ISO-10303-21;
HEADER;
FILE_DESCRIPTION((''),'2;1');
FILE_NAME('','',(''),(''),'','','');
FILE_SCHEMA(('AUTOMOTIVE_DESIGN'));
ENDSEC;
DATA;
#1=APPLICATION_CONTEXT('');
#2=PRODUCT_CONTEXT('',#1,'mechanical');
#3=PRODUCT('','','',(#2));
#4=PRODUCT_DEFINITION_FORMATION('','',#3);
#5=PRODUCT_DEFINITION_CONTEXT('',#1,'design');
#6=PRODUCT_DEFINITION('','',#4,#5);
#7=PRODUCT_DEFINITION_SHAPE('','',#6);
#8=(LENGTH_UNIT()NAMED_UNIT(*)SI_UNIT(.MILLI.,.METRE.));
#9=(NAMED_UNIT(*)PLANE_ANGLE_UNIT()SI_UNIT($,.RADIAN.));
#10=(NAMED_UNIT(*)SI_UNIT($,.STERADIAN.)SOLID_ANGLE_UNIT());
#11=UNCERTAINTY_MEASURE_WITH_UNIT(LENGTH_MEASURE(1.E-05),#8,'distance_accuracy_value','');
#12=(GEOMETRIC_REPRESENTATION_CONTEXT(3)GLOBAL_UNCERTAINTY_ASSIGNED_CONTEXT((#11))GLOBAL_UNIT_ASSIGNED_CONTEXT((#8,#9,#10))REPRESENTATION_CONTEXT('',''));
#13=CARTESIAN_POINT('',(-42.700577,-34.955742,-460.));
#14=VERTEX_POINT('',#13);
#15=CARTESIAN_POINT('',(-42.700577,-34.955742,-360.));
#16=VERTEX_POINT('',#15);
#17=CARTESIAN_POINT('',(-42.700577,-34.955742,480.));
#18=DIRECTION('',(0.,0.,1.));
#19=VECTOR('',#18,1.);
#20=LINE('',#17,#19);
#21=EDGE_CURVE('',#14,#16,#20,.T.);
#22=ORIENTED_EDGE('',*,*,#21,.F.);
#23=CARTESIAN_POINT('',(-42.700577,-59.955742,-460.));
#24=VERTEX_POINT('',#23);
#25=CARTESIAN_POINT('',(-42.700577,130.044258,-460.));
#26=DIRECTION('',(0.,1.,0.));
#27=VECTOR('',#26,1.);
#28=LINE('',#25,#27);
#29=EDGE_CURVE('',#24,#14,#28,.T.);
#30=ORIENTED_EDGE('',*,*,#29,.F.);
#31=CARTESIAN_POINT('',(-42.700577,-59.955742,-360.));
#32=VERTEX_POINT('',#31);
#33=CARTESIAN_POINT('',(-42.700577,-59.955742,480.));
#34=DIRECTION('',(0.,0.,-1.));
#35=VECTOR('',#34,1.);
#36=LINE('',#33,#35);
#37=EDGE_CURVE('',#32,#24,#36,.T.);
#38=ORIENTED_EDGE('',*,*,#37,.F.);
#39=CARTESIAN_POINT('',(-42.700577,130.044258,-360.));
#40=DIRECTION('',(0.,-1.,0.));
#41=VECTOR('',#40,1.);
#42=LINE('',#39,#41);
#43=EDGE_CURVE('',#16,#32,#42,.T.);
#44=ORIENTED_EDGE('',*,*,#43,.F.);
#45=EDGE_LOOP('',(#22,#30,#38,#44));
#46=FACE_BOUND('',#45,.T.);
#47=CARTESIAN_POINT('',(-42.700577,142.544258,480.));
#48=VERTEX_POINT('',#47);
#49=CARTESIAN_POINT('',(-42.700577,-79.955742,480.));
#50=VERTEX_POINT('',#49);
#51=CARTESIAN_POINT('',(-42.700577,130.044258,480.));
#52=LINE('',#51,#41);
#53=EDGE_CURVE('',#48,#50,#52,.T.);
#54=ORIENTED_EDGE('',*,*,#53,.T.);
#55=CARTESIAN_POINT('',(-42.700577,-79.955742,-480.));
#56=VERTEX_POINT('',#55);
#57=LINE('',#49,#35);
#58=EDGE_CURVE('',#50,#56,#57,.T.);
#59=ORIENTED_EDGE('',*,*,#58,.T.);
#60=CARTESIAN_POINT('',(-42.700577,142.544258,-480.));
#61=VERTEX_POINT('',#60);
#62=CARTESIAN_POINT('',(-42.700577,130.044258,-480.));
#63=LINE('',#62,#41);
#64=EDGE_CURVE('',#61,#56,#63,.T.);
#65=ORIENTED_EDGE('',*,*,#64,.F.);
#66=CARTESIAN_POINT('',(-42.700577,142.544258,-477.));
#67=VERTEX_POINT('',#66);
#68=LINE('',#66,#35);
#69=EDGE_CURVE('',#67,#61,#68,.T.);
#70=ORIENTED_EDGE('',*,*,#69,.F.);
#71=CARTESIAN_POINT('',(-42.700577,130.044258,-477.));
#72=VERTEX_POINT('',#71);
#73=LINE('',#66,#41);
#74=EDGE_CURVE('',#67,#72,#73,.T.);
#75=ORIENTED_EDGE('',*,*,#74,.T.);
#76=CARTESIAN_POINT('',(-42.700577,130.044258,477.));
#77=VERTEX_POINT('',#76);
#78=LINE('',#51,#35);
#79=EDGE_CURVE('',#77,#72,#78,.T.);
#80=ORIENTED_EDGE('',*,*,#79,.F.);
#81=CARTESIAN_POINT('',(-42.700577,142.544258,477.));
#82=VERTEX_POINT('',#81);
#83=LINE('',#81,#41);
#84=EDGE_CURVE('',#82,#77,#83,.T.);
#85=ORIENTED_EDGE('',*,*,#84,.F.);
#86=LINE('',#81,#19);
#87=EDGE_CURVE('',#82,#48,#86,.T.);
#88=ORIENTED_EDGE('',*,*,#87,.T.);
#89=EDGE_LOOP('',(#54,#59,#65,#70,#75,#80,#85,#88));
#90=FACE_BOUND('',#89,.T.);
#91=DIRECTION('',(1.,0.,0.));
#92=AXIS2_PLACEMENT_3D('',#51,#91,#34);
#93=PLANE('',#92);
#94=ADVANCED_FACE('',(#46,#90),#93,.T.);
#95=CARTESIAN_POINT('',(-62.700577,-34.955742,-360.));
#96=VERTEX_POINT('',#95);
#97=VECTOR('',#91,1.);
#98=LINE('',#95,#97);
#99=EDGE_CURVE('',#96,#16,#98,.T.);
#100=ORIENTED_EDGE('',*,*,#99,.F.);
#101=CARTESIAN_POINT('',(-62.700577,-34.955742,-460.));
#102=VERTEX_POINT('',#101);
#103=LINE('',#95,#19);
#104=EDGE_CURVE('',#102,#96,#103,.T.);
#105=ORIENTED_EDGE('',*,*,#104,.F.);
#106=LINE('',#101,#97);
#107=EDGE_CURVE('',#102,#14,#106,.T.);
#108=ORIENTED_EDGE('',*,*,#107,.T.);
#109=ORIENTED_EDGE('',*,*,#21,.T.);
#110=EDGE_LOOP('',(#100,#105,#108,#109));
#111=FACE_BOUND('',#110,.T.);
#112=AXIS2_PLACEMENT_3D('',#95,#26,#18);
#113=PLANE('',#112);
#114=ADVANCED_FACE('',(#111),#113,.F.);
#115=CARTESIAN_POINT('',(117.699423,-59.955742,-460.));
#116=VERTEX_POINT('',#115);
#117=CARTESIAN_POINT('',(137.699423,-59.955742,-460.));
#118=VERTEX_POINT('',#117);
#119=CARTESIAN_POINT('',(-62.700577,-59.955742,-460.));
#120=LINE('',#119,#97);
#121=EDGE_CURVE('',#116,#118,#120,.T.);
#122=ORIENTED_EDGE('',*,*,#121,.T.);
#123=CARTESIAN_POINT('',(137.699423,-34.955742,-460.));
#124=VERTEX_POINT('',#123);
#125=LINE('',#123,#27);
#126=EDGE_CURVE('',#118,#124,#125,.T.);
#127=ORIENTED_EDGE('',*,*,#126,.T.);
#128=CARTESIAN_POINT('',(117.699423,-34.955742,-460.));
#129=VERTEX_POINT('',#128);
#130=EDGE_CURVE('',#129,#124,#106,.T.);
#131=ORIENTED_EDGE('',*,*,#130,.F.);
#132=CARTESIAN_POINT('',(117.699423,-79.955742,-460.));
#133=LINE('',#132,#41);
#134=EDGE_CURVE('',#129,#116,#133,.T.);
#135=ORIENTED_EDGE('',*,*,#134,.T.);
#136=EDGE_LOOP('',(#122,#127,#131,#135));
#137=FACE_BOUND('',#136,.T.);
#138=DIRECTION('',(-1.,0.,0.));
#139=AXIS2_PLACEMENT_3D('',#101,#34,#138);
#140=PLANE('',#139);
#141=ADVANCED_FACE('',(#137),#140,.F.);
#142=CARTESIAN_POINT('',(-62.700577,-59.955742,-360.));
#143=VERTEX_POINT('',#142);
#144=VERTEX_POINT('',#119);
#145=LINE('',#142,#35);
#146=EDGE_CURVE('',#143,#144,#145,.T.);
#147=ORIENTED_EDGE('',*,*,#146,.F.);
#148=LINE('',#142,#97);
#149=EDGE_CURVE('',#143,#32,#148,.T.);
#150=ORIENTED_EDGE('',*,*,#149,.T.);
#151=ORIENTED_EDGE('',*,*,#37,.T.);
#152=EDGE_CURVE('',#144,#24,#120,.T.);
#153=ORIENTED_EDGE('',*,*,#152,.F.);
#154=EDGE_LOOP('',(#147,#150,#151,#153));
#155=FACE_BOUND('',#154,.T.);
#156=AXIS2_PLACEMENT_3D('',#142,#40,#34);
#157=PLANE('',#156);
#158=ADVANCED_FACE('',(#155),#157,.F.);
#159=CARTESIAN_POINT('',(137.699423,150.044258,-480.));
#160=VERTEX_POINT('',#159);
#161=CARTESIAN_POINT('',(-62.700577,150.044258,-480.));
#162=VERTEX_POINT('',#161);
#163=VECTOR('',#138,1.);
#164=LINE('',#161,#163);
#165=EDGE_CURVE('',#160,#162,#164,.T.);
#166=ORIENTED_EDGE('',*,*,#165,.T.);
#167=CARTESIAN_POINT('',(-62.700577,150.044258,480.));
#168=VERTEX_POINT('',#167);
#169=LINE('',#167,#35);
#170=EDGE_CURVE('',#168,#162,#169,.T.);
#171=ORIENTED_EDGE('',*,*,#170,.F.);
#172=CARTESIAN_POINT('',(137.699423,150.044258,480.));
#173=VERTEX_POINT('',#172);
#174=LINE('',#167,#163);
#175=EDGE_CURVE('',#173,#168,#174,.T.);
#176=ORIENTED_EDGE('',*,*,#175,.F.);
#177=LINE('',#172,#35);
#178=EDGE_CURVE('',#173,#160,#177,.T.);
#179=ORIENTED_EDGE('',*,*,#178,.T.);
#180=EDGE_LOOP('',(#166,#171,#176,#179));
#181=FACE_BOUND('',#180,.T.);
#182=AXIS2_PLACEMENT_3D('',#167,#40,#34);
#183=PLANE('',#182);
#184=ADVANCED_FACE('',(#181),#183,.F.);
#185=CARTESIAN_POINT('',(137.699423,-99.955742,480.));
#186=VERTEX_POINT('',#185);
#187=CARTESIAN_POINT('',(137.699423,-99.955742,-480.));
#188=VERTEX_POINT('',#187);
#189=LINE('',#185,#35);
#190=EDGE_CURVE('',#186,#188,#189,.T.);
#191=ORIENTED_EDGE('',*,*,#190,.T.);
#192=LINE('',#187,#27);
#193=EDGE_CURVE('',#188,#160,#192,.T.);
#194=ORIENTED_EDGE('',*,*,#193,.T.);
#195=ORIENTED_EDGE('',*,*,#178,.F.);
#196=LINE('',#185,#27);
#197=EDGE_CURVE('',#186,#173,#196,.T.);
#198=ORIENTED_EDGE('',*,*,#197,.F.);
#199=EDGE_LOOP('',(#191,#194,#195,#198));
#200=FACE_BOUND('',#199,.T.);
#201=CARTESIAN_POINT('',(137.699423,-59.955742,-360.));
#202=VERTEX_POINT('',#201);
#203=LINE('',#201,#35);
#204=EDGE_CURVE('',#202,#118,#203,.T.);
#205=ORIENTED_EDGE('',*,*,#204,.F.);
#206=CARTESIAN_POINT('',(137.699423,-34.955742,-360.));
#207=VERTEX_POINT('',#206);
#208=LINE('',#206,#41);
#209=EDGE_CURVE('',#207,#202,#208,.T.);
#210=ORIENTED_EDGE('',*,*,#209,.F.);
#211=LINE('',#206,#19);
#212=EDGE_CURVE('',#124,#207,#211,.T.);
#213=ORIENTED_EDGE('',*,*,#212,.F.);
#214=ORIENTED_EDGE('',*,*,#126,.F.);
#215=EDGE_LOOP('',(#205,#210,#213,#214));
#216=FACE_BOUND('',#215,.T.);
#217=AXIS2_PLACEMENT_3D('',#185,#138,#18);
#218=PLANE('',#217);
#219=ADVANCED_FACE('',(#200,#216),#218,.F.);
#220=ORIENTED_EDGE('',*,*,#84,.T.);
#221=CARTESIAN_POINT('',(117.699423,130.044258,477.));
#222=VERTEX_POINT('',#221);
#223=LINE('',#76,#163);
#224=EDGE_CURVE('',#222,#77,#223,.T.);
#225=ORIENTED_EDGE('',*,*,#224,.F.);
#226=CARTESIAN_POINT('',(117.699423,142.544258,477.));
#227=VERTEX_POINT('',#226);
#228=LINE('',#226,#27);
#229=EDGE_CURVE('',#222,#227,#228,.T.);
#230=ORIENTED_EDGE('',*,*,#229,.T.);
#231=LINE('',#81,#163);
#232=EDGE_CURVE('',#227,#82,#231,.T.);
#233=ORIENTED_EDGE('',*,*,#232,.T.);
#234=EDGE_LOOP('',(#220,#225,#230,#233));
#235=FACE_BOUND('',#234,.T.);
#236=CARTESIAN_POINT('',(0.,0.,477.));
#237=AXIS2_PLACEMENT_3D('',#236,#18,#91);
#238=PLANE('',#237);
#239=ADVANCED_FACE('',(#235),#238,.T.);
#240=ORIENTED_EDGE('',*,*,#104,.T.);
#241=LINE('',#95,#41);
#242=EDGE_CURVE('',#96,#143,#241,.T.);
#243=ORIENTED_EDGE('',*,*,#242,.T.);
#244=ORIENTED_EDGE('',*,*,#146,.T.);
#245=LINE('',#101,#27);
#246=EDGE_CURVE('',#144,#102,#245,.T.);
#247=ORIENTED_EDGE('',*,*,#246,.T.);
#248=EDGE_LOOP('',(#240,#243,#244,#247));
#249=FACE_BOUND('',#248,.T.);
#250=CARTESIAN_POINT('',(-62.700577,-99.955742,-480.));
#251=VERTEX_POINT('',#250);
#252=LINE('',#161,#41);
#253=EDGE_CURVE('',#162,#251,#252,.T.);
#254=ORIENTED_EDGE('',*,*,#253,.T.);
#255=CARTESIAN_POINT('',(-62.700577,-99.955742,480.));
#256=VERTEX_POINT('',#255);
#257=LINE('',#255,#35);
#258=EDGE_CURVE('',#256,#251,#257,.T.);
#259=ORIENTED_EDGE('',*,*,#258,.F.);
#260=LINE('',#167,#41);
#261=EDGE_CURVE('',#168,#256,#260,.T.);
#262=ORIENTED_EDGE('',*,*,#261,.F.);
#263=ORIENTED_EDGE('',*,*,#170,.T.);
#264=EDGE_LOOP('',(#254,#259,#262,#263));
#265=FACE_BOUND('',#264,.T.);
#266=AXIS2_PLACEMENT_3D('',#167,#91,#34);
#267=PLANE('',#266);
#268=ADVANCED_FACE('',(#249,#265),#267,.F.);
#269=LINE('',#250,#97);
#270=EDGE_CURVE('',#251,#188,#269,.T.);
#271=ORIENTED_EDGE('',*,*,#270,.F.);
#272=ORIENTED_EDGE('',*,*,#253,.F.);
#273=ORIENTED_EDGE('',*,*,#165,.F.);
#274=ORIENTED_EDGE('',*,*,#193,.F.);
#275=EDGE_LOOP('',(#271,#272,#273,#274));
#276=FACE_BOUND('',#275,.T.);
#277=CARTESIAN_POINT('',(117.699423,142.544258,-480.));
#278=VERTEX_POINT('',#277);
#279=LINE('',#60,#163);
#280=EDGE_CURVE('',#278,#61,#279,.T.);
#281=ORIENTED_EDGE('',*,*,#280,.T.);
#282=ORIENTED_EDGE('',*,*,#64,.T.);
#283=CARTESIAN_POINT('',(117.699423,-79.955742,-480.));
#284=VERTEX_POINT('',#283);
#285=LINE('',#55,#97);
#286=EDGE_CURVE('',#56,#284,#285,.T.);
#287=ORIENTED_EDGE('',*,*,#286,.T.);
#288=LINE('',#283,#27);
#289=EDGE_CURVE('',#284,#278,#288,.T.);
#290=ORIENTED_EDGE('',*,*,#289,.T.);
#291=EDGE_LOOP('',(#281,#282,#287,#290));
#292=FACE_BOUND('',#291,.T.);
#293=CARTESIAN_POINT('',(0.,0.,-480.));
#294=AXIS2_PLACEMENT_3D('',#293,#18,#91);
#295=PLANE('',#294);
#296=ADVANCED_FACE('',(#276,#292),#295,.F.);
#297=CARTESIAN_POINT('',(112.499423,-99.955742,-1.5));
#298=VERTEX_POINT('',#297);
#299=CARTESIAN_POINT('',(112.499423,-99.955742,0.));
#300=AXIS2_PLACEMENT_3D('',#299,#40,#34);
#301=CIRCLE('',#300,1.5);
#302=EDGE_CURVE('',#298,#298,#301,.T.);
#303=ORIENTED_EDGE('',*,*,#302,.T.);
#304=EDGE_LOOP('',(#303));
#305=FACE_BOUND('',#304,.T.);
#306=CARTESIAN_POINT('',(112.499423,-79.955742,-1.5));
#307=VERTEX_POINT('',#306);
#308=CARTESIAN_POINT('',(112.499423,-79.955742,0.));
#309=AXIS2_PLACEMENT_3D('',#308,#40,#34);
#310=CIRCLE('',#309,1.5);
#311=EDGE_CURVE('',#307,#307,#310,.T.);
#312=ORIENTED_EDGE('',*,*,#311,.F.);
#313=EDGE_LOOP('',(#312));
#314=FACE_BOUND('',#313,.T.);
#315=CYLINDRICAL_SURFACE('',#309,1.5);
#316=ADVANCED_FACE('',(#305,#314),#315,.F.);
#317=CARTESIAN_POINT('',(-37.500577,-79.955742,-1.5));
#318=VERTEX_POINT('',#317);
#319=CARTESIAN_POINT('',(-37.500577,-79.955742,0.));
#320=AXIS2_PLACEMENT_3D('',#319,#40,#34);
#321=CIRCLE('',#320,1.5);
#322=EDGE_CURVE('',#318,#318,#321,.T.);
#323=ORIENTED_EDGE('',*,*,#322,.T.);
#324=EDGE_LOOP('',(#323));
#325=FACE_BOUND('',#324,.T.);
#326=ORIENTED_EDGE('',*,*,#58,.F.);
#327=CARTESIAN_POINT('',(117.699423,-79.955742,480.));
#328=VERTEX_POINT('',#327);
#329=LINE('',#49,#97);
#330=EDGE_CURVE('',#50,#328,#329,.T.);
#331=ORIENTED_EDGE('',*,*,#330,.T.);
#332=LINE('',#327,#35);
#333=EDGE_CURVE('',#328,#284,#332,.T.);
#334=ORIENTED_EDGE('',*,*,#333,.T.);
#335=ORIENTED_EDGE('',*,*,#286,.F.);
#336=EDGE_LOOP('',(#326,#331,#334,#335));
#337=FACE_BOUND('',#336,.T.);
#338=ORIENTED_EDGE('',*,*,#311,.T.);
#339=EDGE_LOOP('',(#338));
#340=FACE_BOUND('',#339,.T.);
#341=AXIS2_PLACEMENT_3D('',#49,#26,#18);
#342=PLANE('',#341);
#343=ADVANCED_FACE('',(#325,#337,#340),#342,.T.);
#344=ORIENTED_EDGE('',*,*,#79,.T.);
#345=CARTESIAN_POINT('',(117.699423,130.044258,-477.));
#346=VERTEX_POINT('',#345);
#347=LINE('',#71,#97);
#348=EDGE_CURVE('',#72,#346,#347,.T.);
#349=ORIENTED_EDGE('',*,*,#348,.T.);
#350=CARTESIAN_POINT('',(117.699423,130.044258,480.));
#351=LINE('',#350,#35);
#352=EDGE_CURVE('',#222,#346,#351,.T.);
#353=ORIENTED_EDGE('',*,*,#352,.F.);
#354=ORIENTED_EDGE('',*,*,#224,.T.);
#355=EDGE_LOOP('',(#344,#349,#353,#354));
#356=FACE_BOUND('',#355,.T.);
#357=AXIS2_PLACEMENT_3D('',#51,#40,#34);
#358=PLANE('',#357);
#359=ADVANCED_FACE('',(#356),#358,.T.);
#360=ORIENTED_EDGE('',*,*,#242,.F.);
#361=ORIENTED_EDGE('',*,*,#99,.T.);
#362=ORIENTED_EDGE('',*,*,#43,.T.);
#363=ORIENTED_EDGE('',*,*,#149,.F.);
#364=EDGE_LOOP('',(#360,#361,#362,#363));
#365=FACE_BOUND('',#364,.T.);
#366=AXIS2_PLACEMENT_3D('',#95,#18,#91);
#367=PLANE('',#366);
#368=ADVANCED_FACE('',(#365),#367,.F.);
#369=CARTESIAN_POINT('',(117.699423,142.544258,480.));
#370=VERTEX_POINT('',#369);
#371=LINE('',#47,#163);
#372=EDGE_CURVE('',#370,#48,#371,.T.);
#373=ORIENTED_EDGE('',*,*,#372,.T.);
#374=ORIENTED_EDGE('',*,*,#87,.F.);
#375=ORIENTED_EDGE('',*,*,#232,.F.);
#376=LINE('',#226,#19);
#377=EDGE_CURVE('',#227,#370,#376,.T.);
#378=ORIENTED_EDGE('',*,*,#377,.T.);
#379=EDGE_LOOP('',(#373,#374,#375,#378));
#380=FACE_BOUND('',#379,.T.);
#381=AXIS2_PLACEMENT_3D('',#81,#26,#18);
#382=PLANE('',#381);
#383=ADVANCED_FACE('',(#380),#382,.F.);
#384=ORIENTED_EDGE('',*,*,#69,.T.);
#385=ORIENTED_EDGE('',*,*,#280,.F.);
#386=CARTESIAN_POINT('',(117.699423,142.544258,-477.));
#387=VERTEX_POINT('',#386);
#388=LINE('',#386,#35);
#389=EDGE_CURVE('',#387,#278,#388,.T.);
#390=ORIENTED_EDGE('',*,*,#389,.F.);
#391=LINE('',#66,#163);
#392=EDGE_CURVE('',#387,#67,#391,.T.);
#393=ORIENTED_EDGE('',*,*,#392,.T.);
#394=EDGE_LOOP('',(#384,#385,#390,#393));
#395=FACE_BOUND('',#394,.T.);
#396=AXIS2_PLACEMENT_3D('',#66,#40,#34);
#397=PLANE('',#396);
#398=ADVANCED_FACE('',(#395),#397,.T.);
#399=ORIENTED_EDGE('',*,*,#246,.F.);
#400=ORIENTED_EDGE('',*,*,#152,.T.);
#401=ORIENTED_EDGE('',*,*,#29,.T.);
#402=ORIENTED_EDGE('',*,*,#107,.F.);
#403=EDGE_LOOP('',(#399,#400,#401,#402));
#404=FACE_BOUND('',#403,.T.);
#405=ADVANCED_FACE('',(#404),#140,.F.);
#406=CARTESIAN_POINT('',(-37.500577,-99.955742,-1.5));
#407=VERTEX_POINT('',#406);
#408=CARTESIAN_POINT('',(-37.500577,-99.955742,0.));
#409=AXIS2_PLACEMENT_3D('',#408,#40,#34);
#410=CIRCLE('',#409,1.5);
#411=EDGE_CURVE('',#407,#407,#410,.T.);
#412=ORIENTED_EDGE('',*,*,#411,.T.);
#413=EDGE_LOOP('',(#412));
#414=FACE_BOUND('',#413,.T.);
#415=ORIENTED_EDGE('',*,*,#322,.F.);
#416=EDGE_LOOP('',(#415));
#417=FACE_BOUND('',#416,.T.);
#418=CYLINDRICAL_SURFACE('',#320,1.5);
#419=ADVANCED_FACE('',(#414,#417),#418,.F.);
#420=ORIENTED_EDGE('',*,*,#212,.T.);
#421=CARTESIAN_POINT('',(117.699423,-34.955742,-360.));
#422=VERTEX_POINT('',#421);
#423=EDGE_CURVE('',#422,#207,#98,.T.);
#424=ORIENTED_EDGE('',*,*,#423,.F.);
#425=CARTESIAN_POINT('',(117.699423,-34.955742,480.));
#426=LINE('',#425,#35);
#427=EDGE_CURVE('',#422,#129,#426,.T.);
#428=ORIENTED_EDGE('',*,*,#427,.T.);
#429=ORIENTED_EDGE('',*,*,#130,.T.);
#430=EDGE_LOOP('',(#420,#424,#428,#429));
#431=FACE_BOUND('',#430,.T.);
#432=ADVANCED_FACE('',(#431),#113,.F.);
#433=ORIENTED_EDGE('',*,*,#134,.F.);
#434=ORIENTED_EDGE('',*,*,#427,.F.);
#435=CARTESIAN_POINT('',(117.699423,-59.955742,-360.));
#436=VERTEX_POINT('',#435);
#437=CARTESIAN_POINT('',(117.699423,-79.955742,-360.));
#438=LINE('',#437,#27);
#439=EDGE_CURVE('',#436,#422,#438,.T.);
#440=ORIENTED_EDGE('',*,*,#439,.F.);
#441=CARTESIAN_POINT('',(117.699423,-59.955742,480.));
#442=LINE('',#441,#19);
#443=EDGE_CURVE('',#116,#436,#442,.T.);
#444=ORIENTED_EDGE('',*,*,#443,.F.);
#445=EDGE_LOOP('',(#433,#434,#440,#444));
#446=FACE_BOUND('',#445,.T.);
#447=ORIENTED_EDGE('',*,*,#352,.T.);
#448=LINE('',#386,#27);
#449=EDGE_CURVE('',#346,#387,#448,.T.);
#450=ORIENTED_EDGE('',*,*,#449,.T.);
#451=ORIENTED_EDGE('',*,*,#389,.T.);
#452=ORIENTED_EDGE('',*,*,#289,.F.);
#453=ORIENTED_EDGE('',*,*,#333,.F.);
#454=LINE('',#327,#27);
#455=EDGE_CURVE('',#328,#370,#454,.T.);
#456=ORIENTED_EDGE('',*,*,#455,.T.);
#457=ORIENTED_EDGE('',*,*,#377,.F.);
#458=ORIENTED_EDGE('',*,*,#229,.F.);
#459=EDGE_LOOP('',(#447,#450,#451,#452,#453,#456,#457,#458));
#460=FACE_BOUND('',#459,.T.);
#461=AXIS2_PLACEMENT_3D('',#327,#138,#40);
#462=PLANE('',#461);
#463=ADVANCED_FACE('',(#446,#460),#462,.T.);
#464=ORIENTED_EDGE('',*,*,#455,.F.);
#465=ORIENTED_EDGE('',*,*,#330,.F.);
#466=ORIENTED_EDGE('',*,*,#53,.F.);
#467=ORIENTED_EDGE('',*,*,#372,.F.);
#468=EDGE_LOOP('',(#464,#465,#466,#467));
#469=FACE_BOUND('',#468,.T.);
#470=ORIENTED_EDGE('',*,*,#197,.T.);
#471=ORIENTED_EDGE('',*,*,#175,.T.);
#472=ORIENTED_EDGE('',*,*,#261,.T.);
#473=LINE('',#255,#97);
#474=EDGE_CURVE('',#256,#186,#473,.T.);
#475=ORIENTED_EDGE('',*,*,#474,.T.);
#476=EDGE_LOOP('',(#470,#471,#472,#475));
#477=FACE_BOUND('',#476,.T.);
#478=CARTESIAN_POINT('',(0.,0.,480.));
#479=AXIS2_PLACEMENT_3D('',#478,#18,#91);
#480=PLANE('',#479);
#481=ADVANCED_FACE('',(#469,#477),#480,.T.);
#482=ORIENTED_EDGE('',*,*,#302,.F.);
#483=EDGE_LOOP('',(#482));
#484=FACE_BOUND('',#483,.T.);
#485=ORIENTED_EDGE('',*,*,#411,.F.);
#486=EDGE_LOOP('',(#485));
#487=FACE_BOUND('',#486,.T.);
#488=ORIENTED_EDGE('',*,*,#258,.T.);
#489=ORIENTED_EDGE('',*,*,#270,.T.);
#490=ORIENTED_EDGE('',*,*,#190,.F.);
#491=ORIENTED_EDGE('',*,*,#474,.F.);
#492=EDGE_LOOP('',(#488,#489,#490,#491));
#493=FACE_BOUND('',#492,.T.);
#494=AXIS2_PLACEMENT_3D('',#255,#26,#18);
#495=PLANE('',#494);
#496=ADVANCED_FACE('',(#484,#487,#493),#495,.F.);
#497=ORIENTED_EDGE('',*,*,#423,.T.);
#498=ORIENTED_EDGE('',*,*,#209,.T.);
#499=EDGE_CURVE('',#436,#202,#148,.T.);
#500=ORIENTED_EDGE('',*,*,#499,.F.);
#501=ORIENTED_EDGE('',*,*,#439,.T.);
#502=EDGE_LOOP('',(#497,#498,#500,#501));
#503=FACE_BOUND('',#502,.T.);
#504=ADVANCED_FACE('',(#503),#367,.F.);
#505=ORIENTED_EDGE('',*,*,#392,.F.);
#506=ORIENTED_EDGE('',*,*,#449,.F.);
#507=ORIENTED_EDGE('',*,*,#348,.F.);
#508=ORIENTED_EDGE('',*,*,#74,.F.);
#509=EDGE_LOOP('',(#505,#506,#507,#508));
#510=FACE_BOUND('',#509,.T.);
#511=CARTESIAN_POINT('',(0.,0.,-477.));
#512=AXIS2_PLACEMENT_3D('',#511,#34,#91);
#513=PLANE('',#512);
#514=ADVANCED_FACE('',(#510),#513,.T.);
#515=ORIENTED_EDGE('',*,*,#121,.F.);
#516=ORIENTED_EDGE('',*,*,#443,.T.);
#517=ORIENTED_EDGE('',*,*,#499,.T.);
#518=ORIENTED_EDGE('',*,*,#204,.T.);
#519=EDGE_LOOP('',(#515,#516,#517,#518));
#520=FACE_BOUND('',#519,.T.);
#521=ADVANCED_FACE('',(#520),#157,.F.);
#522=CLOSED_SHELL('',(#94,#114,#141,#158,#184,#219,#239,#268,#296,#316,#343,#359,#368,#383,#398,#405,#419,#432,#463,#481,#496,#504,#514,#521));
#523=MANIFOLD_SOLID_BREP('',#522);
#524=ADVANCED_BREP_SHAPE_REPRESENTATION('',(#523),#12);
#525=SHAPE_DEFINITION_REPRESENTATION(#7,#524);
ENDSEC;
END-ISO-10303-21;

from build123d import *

# Parameters (mm, degrees)
SKETCH2_W               = 200.4
SKETCH2_H               = 250
SKETCH2_W_2             = 160.4
SKETCH2_H_2             = 210
BOSS_EXTRUDE1_DEPTH     = 480
SKETCH3_W               = 160.4
SKETCH3_H               = 25
CUT_EXTRUDE1_DEPTH      = 3
CUT_EXTRUDE2_DEPTH      = 535.282171956
CUT_EXTRUDE2_DEPTH_BACK = 535.282171956
SKETCH4_W               = 100
SKETCH4_H               = 25
SKETCH7_R               = 1.5
CUT_EXTRUDE4_DEPTH      = 20


with BuildPart() as part:
    # Sketch2 → Boss-Extrude1 (new, symmetric)
    with BuildSketch(Plane.XY):
        with Locations((37.499423299, 25.044257703)):
            Rectangle(SKETCH2_W, SKETCH2_H)
        with Locations((37.499423299, 25.044257703)):
            Rectangle(SKETCH2_W_2, SKETCH2_H_2, mode=Mode.SUBTRACT)
    extrude(amount=BOSS_EXTRUDE1_DEPTH, both=True)

    # Sketch3 → Cut-Extrude1 (cut)
    with BuildSketch(Plane.XY.offset(480)):
        with Locations((37.499423299, 130.044257703)):
            Rectangle(SKETCH3_W, SKETCH3_H)
    cut_extrude1 = extrude(amount=-CUT_EXTRUDE1_DEPTH, mode=Mode.SUBTRACT)

    # Mirror1: Cut-Extrude1 across plane
    add(cut_extrude1.mirror(Plane.XY), mode=Mode.SUBTRACT)

    # Sketch4 → Cut-Extrude2 (cut, two sides: drawn at the far end of the back side and taken through both)
    with BuildSketch(Plane(origin=(-42.700576701, 0, 0), x_dir=(0, 0, -1), z_dir=(1, 0, 0)).offset(-CUT_EXTRUDE2_DEPTH_BACK)):
        with Locations((410, -47.455742297)):
            Rectangle(SKETCH4_W, SKETCH4_H)
    extrude(amount=CUT_EXTRUDE2_DEPTH + CUT_EXTRUDE2_DEPTH_BACK, mode=Mode.SUBTRACT)

    # Sketch7 → Cut-Extrude4 (cut)
    with BuildSketch(Plane.XZ.offset(99.955742297)):
        with Locations(Location((112.499423299, 0, 0), (0, 0, 270))):
            Circle(SKETCH7_R)
        with Locations(Location((-37.500576701, 0, 0), (0, 0, 270))):
            Circle(SKETCH7_R)
    extrude(amount=-CUT_EXTRUDE4_DEPTH, mode=Mode.SUBTRACT)


solid = part.part
